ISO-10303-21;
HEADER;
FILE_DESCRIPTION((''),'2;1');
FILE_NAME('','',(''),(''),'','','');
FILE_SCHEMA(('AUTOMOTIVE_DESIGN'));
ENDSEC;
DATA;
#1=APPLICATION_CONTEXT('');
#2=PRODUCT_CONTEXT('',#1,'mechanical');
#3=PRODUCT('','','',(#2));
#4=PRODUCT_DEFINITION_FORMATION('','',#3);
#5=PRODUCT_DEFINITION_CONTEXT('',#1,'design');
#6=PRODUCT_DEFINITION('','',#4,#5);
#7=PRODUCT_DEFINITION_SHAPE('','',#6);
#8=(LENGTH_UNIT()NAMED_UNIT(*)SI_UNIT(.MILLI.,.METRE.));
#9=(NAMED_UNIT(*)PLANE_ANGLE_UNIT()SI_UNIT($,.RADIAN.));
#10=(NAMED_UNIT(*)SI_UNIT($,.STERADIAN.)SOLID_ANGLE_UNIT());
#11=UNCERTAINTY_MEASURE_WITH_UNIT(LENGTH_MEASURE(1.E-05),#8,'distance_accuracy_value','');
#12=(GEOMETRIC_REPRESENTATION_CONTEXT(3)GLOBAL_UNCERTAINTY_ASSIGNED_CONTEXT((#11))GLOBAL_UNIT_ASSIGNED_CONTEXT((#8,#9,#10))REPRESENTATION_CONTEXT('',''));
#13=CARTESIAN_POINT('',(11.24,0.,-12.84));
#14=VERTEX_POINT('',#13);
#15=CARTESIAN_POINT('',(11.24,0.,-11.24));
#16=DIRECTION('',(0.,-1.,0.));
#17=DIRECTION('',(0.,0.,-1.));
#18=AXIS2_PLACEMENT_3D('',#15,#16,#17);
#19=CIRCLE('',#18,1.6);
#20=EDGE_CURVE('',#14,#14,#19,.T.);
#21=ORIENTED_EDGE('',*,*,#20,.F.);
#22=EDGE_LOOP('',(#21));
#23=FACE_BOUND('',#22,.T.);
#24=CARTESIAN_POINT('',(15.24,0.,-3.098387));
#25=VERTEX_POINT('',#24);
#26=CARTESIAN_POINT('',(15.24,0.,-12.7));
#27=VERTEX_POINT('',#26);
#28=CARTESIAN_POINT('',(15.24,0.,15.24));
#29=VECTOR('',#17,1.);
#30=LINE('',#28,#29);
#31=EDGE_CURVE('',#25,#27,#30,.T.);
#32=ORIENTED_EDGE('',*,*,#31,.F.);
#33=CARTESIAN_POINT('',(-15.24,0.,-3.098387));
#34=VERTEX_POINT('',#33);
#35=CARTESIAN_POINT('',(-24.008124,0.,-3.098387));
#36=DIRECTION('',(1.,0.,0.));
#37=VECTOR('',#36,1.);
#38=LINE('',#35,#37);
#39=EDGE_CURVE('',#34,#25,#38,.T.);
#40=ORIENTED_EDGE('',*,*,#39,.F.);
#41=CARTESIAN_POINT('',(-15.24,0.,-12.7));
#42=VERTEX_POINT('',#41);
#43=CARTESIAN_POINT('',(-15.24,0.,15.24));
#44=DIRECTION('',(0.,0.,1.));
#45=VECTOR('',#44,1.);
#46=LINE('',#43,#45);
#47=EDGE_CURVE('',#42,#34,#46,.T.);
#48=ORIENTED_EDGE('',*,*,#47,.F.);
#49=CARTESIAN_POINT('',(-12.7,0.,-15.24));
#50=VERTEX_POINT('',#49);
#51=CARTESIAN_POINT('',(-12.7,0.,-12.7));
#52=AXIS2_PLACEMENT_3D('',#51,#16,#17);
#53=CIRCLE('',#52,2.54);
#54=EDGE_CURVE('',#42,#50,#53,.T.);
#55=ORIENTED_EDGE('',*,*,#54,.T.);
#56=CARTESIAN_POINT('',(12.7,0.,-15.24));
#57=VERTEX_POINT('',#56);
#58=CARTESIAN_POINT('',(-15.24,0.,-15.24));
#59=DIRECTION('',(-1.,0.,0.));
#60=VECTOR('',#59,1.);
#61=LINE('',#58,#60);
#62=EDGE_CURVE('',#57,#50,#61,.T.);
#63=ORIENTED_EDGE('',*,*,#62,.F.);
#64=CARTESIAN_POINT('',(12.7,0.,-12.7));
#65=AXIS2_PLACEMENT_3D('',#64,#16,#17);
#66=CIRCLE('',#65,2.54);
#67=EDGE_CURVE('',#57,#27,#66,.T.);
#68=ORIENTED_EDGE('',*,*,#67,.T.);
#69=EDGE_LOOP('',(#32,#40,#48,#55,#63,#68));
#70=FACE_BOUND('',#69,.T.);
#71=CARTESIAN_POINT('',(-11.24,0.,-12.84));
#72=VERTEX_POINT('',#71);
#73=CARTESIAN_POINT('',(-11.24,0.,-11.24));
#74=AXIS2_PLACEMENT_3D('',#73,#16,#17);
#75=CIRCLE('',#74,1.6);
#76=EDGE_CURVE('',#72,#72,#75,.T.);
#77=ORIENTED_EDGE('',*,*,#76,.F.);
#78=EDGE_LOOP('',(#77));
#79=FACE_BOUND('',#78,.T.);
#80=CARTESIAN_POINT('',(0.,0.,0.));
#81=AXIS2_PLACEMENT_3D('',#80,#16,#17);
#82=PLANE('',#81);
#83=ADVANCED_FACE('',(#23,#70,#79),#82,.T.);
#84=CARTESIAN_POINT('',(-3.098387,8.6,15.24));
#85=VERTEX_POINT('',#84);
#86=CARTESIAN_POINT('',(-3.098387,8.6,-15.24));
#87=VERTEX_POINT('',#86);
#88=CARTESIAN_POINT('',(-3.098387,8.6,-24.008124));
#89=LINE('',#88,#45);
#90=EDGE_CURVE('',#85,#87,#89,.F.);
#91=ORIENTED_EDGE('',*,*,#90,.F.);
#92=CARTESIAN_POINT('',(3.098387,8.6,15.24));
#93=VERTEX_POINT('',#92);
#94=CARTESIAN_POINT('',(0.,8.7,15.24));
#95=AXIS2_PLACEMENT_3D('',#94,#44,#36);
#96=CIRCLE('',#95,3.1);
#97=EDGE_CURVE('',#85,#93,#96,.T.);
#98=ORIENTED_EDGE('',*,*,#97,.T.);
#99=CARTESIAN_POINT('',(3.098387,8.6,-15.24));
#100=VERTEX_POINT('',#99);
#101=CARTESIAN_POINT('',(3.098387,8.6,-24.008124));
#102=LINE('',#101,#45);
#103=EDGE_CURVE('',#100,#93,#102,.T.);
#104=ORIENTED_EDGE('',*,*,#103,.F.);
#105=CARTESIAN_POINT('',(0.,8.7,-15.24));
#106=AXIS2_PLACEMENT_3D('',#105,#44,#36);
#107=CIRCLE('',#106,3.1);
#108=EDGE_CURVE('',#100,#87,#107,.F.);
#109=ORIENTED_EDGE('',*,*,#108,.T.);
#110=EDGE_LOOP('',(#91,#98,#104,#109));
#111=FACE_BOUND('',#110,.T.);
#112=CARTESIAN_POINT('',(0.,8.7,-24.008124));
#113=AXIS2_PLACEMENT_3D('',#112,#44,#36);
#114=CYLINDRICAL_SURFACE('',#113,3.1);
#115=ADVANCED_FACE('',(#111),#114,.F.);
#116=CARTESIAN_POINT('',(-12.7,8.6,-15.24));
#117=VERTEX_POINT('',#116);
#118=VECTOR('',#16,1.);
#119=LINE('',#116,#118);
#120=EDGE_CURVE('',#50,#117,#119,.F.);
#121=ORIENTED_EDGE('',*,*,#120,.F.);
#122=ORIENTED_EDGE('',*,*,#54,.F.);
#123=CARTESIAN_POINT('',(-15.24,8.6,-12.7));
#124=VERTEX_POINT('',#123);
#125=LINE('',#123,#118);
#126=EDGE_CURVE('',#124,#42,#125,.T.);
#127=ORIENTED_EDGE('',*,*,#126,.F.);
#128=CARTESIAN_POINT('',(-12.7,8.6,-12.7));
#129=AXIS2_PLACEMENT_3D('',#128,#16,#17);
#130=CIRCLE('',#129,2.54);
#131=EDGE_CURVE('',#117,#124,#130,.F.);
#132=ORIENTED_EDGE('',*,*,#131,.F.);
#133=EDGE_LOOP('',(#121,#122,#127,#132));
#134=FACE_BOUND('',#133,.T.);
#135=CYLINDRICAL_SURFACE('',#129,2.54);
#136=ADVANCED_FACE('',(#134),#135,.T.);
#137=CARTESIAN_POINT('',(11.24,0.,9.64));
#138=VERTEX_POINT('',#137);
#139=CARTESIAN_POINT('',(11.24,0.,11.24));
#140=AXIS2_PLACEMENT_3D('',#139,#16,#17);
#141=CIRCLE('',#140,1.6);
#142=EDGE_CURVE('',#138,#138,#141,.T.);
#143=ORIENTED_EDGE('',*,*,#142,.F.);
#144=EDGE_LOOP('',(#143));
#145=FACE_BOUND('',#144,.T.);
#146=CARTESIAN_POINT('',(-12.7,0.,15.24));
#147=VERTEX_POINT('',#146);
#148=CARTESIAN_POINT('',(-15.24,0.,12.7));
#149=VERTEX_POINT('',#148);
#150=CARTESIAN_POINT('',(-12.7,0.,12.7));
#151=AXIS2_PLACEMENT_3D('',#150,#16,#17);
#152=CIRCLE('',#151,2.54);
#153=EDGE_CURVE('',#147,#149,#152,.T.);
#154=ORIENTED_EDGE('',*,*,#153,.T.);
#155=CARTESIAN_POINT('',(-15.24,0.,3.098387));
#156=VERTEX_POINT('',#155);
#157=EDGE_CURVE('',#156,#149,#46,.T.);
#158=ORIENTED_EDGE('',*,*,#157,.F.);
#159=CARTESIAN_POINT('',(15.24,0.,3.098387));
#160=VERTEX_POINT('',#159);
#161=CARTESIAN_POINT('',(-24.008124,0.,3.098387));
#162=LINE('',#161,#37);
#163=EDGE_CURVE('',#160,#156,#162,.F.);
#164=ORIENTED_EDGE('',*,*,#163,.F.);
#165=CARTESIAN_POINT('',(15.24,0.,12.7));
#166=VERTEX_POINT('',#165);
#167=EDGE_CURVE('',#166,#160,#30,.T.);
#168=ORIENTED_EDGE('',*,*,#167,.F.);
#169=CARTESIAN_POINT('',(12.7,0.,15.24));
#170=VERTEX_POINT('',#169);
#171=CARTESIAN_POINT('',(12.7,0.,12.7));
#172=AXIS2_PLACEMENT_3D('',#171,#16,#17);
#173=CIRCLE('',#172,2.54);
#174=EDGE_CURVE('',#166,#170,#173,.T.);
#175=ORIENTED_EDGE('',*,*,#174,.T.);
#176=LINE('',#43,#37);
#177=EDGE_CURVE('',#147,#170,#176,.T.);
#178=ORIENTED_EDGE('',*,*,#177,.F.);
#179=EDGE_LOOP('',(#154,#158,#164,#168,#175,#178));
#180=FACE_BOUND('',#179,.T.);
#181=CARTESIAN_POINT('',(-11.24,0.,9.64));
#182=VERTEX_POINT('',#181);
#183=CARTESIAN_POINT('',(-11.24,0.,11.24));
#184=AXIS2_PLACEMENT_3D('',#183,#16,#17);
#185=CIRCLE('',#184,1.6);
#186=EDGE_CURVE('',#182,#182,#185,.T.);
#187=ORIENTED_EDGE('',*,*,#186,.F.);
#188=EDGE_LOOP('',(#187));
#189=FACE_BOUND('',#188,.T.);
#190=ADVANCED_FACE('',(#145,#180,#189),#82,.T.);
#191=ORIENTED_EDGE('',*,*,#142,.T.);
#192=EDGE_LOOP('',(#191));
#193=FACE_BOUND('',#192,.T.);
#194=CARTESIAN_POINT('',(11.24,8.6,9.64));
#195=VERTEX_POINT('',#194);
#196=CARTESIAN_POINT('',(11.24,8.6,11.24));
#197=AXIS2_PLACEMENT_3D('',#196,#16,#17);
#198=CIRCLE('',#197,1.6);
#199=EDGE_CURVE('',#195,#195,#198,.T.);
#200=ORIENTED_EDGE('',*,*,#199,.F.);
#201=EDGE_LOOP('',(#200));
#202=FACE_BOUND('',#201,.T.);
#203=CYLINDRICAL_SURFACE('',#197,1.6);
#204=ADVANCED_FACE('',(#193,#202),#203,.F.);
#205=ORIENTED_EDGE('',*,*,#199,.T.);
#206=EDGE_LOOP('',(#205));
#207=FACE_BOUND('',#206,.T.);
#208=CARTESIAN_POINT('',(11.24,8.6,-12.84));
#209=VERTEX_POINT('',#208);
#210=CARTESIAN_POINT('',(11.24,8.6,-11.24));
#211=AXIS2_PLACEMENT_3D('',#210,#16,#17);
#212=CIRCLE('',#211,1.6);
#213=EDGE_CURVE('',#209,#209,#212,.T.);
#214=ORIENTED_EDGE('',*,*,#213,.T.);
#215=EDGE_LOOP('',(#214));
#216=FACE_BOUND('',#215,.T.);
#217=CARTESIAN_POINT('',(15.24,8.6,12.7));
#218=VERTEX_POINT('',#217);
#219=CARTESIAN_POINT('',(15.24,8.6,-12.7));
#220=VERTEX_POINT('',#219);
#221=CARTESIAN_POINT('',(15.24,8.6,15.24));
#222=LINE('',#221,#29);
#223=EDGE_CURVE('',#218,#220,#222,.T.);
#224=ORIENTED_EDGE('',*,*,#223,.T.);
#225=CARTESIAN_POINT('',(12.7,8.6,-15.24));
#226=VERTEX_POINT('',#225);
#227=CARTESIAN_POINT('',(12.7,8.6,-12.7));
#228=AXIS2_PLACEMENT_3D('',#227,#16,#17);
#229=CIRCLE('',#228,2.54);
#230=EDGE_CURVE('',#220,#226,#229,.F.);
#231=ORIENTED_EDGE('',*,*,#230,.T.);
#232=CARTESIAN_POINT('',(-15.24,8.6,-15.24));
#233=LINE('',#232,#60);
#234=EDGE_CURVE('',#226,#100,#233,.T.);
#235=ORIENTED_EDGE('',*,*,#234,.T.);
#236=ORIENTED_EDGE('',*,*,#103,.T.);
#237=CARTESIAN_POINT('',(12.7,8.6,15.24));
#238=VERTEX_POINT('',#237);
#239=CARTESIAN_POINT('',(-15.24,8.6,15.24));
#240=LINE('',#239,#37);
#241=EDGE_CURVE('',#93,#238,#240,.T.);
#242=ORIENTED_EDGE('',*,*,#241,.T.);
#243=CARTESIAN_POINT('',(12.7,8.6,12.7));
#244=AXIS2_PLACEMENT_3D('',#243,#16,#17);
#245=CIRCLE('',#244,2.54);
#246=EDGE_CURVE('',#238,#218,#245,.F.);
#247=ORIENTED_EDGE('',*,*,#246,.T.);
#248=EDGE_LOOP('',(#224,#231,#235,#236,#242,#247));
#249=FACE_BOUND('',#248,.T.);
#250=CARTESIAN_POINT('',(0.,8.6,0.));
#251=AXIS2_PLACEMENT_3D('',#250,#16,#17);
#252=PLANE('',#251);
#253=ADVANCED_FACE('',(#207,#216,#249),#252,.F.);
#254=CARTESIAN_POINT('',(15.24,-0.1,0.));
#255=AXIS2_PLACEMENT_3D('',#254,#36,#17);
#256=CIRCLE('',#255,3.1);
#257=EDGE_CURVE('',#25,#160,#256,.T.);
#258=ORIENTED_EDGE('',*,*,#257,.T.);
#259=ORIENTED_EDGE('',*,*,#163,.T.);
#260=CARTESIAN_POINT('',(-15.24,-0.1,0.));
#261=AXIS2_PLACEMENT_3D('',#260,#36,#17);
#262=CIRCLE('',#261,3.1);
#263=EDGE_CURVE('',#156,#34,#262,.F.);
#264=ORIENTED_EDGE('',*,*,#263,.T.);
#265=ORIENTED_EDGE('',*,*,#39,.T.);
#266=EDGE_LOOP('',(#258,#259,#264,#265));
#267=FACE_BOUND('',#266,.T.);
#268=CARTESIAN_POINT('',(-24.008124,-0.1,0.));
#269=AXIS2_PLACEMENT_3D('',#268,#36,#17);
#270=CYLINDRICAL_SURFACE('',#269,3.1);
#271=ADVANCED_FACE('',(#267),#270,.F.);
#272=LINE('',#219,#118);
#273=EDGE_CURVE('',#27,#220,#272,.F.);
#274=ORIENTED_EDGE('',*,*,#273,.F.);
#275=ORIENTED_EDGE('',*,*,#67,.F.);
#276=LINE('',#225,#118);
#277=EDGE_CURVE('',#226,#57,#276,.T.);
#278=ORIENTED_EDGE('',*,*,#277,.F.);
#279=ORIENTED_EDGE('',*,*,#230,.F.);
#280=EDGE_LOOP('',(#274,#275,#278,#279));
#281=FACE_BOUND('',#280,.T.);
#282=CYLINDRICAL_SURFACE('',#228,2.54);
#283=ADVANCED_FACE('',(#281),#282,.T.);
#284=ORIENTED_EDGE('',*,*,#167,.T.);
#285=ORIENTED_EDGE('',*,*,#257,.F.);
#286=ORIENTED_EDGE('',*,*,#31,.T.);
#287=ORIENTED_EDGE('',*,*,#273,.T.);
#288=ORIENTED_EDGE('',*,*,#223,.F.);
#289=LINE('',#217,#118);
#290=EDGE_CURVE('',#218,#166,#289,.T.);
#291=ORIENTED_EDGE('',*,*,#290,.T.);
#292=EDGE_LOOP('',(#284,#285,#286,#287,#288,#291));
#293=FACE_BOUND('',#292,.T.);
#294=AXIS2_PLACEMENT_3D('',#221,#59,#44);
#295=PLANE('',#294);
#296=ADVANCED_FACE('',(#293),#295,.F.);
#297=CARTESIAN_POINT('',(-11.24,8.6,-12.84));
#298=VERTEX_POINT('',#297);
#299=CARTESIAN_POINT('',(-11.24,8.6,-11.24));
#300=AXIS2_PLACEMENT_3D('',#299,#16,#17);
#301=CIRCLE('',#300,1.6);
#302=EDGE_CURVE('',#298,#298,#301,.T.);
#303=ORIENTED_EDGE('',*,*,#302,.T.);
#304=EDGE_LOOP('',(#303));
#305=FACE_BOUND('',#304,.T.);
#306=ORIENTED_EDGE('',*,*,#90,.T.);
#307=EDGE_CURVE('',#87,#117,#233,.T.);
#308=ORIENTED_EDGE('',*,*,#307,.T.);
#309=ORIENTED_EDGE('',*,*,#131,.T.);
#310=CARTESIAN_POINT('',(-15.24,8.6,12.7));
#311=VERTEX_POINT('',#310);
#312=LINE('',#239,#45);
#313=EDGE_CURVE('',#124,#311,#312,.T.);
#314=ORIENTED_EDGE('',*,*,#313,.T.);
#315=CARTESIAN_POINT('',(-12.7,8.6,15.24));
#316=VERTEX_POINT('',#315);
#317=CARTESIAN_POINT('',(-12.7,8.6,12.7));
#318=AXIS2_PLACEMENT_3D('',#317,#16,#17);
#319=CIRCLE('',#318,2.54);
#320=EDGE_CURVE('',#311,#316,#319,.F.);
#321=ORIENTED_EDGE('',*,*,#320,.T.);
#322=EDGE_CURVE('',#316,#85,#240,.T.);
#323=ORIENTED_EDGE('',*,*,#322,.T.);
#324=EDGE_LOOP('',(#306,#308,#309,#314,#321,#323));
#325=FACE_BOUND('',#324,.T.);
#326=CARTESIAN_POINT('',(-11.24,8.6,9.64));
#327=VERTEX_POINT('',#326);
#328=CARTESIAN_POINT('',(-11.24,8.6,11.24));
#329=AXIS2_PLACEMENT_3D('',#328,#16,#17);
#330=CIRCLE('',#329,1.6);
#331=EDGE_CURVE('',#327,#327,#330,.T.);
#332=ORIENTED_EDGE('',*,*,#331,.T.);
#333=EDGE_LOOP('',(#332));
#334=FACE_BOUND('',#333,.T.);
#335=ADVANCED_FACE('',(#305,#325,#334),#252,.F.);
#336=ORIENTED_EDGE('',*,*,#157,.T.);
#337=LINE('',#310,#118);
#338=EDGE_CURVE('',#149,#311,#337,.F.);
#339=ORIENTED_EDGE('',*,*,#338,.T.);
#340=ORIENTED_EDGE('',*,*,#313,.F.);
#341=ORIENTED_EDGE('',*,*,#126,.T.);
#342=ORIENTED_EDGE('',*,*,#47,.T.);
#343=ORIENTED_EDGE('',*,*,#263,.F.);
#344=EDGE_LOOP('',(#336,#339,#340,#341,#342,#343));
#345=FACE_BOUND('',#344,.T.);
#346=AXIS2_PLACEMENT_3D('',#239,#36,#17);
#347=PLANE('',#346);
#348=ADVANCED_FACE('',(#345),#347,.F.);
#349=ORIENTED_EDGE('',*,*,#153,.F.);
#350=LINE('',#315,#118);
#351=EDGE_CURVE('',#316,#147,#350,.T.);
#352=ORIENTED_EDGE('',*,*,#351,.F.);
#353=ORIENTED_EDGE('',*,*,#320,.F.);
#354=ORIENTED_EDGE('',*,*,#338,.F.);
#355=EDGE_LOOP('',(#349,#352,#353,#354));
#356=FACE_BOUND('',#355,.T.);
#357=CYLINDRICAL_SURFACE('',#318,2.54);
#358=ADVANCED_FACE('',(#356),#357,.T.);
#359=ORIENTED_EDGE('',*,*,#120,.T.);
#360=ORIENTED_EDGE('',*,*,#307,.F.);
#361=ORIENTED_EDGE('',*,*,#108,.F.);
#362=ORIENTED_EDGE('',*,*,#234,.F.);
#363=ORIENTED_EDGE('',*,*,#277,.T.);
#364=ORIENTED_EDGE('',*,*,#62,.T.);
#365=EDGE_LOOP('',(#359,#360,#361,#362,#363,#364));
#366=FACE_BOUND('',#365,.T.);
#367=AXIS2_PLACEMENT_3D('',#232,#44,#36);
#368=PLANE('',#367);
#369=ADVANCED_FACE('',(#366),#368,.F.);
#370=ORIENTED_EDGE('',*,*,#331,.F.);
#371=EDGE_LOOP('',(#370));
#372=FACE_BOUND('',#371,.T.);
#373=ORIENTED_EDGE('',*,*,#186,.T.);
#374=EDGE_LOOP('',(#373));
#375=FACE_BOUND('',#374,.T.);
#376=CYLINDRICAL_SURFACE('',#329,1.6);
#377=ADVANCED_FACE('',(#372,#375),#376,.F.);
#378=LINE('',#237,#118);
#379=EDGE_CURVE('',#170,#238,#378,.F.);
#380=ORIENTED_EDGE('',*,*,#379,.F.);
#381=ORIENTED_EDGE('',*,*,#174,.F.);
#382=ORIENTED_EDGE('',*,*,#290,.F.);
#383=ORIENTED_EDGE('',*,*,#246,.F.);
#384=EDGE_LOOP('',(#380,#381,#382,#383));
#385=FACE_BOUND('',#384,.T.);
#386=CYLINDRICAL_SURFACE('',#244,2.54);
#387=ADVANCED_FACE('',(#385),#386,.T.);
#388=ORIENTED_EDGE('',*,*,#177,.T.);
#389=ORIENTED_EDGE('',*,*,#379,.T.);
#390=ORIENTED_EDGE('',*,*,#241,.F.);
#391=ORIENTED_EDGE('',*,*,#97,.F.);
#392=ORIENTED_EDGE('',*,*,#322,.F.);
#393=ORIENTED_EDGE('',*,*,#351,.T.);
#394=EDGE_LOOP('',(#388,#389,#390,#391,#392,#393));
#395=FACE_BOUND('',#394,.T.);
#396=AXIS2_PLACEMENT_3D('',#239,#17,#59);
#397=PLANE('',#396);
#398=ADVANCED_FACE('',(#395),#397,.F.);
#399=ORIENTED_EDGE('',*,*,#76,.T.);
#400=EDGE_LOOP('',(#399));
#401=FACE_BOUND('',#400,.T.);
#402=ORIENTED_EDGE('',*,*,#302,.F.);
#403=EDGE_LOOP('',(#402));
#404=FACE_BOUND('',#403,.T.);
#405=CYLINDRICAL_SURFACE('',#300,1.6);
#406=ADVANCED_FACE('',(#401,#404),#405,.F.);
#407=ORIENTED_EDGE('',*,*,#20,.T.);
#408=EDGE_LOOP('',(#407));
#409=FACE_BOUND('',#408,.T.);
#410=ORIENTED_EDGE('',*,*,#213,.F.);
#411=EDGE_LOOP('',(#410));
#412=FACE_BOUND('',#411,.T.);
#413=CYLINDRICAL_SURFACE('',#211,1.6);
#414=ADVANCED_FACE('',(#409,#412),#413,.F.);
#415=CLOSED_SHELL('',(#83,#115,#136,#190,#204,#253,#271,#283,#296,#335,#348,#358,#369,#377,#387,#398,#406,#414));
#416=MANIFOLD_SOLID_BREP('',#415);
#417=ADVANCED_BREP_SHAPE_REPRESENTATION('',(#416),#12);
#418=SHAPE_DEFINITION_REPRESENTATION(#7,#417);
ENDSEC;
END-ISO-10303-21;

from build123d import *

# Parameters (mm, degrees)
SKETCH_2_W          = 30.48
SKETCH_2_H          = 30.48
EXTRUDE_1_DEPTH     = 8.6
SKETCH_3_R          = 3.1
CUT_EXTRUDE_1_DEPTH = 30.48
SKETCH_4_R          = 3.1
CUT_EXTRUDE_2_DEPTH = 30.48
SKETCH_5_R          = 1.6
CUT_EXTRUDE_3_DEPTH = 9.6
FILLET_2_R          = 2.54


with BuildPart() as part:
    # 草图2 → 凸台-拉伸1 (new body)
    with BuildSketch(Plane(origin=(0, 0, 0), x_dir=(1, 0, 0), z_dir=(0, 1, 0))):
        Rectangle(SKETCH_2_W, SKETCH_2_H)
    extrude(amount=EXTRUDE_1_DEPTH)

    # 草图3 → 切除-拉伸1 (cut)
    with BuildSketch(Plane.XY.offset(15.24)):
        with Locations((0, 8.7)):
            Circle(SKETCH_3_R)
    extrude(amount=-CUT_EXTRUDE_1_DEPTH, mode=Mode.SUBTRACT)

    # 草图4 → 切除-拉伸2 (cut)
    with BuildSketch(Plane(origin=(15.24, 0, 0), x_dir=(0, 0, -1), z_dir=(1, 0, 0))):
        with Locations((0, -0.1)):
            Circle(SKETCH_4_R)
    extrude(amount=-CUT_EXTRUDE_2_DEPTH, mode=Mode.SUBTRACT)

    # 草图5 → 切除-拉伸3 (cut, through all)
    with BuildSketch(Plane.XZ):
        with Locations((-11.24, 11.24)):
            Circle(SKETCH_5_R)
        with Locations((11.24, 11.24)):
            Circle(SKETCH_5_R)
        with Locations((11.24, -11.24)):
            Circle(SKETCH_5_R)
        with Locations((-11.24, -11.24)):
            Circle(SKETCH_5_R)
    extrude(amount=-CUT_EXTRUDE_3_DEPTH, mode=Mode.SUBTRACT)

    # 圆角2
    fillet_2_edges = [part.edges().sort_by_distance(p)[0] for p in [
        (15.24, 4.3, 15.24),
        (-15.24, 4.3, 15.24),
        (-15.24, 4.3, -15.24),
        (15.24, 4.3, -15.24),
    ]]
    fillet(fillet_2_edges, radius=FILLET_2_R)


solid = part.part
